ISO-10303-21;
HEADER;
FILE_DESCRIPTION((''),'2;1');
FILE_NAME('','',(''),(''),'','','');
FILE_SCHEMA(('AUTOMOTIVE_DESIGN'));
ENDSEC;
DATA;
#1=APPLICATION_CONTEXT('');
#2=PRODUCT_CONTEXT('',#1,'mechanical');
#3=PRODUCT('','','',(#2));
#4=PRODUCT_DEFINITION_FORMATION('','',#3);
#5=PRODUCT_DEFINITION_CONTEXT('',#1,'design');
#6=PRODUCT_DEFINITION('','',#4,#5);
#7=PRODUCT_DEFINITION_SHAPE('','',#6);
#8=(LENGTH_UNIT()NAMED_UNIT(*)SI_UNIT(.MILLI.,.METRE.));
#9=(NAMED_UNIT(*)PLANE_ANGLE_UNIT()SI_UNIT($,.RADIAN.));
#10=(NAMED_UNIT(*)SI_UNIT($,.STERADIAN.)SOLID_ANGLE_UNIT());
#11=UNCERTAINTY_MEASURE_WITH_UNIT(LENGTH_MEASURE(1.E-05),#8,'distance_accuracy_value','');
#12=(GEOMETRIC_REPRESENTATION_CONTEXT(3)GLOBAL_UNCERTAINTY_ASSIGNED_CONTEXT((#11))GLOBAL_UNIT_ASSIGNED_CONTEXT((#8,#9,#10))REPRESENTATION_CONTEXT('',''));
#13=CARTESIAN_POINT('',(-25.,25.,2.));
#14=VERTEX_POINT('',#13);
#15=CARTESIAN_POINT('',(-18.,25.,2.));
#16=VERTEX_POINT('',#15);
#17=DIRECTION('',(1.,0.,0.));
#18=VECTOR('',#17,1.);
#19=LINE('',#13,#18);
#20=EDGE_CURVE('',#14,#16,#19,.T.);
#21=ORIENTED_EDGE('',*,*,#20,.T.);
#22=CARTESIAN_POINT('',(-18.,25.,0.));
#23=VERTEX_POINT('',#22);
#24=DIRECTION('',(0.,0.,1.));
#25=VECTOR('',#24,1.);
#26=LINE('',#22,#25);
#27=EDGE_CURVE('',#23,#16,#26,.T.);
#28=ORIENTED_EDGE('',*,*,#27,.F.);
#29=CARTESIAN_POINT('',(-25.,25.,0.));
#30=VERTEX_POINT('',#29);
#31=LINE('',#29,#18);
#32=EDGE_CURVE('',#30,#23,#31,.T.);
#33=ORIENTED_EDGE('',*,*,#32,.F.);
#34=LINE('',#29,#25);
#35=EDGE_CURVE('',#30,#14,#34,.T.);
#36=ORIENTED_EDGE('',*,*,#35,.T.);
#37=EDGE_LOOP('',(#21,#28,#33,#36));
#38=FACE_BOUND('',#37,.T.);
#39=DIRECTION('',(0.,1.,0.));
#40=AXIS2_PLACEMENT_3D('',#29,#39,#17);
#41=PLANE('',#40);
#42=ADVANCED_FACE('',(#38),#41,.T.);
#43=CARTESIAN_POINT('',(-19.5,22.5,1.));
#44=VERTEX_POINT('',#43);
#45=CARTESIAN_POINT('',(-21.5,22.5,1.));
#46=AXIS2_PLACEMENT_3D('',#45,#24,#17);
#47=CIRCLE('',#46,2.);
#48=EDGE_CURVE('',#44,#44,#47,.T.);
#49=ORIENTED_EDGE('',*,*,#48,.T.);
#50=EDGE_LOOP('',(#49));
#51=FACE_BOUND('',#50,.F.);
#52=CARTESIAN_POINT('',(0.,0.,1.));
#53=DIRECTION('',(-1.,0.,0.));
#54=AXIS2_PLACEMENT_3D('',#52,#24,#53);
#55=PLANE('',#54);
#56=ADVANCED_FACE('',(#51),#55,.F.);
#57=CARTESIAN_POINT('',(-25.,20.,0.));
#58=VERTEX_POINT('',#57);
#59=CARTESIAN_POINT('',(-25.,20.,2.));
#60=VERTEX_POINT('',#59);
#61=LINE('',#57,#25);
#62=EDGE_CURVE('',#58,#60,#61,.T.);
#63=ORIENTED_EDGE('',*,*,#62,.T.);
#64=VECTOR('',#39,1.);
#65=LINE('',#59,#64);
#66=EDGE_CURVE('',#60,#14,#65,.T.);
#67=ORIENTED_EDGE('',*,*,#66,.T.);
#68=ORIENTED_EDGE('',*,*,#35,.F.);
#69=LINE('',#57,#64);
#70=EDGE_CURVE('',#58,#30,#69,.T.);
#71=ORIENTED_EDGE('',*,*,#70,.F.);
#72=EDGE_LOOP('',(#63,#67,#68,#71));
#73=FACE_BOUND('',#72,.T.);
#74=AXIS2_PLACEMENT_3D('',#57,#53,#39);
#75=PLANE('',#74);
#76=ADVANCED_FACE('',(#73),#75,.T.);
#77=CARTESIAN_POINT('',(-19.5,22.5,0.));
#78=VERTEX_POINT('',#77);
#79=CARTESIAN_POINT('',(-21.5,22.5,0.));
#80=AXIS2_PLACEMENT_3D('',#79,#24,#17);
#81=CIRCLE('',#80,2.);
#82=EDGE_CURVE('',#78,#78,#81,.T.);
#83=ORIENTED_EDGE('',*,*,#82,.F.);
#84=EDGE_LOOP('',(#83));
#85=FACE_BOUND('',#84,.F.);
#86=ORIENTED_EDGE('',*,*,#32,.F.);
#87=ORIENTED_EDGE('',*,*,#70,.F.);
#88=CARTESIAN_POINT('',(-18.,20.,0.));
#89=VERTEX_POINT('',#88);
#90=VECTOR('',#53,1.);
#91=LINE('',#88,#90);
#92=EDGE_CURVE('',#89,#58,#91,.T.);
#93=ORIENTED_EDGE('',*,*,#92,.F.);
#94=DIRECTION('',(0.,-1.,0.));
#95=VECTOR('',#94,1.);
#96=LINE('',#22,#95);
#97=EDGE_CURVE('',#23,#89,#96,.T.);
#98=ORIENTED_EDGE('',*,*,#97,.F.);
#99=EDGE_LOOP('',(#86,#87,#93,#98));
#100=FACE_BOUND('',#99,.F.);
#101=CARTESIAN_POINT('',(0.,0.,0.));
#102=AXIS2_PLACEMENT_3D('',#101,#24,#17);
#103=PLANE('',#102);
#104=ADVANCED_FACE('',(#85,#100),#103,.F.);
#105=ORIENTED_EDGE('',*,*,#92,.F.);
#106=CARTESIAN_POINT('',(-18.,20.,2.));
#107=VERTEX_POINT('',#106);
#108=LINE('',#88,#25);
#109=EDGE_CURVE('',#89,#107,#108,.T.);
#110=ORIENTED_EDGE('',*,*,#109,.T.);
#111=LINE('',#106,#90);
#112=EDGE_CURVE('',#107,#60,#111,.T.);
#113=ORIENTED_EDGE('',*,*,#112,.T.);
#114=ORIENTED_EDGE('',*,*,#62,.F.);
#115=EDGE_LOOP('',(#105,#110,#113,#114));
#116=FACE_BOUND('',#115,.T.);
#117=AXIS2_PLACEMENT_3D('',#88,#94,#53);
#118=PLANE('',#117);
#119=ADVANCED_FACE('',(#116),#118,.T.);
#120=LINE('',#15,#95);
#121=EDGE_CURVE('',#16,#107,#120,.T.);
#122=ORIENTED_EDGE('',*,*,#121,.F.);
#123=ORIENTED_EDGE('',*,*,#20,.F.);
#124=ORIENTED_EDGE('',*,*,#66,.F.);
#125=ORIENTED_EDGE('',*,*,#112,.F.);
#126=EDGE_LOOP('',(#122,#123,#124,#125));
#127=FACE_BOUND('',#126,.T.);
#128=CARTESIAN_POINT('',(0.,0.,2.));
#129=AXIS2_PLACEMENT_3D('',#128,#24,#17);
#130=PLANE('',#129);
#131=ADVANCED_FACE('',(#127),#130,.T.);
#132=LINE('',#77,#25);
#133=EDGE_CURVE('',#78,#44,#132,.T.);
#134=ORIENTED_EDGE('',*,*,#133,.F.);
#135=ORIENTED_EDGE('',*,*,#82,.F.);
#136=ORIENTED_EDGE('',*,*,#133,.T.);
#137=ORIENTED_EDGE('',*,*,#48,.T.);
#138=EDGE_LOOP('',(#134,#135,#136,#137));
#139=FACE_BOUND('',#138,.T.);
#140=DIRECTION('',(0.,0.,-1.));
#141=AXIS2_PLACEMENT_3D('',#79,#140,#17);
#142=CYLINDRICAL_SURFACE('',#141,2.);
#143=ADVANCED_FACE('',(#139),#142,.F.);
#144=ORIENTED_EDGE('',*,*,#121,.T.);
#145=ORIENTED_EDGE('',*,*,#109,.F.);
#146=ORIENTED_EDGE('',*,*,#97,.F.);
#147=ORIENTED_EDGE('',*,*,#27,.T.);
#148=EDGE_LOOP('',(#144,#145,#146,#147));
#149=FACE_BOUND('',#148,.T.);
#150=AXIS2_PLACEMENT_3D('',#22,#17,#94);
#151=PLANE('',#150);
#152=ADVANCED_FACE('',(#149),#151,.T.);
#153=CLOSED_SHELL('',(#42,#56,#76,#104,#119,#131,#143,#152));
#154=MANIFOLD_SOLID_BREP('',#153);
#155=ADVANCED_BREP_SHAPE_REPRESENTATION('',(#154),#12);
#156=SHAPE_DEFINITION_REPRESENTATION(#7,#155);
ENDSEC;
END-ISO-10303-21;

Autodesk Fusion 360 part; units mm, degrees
sketch "Sketch1" plane through (0, 0, 0) normal (0, 0, 1) x (1, 0, 0)
  line L0 (-25, 25) -> (-18, 25)
  line L1 (-18, 25) -> (-18, 20)
  line L2 (-18, 20) -> (-25, 20)
  line L3 (-25, 20) -> (-25, 25)
  circle A0 centre (-21.5, 22.5) radius 2
  dimension "d1" = 7
  dimension "d2" = 5
  dimension "d3" = 4
extrude "Extrude1" add sketch "Sketch1" along normal blind 2
sketch "Sketch2" plane through (0, 0, 2) normal (0, 0, 1) x (-1, 0, 0)
  circle A0 centre (21.5, -22.5) radius 2
  line L0 (25, -20) -> (18, -20)
  line L1 (18, -20) -> (18, -25)
  line L2 (18, -25) -> (25, -25)
  line L3 (25, -25) -> (25, -20)
  circle A1 centre (21.5, -22.5) radius 2
extrude "Extrude2" add sketch "Sketch2" against normal blind 1 contours A0 A1
